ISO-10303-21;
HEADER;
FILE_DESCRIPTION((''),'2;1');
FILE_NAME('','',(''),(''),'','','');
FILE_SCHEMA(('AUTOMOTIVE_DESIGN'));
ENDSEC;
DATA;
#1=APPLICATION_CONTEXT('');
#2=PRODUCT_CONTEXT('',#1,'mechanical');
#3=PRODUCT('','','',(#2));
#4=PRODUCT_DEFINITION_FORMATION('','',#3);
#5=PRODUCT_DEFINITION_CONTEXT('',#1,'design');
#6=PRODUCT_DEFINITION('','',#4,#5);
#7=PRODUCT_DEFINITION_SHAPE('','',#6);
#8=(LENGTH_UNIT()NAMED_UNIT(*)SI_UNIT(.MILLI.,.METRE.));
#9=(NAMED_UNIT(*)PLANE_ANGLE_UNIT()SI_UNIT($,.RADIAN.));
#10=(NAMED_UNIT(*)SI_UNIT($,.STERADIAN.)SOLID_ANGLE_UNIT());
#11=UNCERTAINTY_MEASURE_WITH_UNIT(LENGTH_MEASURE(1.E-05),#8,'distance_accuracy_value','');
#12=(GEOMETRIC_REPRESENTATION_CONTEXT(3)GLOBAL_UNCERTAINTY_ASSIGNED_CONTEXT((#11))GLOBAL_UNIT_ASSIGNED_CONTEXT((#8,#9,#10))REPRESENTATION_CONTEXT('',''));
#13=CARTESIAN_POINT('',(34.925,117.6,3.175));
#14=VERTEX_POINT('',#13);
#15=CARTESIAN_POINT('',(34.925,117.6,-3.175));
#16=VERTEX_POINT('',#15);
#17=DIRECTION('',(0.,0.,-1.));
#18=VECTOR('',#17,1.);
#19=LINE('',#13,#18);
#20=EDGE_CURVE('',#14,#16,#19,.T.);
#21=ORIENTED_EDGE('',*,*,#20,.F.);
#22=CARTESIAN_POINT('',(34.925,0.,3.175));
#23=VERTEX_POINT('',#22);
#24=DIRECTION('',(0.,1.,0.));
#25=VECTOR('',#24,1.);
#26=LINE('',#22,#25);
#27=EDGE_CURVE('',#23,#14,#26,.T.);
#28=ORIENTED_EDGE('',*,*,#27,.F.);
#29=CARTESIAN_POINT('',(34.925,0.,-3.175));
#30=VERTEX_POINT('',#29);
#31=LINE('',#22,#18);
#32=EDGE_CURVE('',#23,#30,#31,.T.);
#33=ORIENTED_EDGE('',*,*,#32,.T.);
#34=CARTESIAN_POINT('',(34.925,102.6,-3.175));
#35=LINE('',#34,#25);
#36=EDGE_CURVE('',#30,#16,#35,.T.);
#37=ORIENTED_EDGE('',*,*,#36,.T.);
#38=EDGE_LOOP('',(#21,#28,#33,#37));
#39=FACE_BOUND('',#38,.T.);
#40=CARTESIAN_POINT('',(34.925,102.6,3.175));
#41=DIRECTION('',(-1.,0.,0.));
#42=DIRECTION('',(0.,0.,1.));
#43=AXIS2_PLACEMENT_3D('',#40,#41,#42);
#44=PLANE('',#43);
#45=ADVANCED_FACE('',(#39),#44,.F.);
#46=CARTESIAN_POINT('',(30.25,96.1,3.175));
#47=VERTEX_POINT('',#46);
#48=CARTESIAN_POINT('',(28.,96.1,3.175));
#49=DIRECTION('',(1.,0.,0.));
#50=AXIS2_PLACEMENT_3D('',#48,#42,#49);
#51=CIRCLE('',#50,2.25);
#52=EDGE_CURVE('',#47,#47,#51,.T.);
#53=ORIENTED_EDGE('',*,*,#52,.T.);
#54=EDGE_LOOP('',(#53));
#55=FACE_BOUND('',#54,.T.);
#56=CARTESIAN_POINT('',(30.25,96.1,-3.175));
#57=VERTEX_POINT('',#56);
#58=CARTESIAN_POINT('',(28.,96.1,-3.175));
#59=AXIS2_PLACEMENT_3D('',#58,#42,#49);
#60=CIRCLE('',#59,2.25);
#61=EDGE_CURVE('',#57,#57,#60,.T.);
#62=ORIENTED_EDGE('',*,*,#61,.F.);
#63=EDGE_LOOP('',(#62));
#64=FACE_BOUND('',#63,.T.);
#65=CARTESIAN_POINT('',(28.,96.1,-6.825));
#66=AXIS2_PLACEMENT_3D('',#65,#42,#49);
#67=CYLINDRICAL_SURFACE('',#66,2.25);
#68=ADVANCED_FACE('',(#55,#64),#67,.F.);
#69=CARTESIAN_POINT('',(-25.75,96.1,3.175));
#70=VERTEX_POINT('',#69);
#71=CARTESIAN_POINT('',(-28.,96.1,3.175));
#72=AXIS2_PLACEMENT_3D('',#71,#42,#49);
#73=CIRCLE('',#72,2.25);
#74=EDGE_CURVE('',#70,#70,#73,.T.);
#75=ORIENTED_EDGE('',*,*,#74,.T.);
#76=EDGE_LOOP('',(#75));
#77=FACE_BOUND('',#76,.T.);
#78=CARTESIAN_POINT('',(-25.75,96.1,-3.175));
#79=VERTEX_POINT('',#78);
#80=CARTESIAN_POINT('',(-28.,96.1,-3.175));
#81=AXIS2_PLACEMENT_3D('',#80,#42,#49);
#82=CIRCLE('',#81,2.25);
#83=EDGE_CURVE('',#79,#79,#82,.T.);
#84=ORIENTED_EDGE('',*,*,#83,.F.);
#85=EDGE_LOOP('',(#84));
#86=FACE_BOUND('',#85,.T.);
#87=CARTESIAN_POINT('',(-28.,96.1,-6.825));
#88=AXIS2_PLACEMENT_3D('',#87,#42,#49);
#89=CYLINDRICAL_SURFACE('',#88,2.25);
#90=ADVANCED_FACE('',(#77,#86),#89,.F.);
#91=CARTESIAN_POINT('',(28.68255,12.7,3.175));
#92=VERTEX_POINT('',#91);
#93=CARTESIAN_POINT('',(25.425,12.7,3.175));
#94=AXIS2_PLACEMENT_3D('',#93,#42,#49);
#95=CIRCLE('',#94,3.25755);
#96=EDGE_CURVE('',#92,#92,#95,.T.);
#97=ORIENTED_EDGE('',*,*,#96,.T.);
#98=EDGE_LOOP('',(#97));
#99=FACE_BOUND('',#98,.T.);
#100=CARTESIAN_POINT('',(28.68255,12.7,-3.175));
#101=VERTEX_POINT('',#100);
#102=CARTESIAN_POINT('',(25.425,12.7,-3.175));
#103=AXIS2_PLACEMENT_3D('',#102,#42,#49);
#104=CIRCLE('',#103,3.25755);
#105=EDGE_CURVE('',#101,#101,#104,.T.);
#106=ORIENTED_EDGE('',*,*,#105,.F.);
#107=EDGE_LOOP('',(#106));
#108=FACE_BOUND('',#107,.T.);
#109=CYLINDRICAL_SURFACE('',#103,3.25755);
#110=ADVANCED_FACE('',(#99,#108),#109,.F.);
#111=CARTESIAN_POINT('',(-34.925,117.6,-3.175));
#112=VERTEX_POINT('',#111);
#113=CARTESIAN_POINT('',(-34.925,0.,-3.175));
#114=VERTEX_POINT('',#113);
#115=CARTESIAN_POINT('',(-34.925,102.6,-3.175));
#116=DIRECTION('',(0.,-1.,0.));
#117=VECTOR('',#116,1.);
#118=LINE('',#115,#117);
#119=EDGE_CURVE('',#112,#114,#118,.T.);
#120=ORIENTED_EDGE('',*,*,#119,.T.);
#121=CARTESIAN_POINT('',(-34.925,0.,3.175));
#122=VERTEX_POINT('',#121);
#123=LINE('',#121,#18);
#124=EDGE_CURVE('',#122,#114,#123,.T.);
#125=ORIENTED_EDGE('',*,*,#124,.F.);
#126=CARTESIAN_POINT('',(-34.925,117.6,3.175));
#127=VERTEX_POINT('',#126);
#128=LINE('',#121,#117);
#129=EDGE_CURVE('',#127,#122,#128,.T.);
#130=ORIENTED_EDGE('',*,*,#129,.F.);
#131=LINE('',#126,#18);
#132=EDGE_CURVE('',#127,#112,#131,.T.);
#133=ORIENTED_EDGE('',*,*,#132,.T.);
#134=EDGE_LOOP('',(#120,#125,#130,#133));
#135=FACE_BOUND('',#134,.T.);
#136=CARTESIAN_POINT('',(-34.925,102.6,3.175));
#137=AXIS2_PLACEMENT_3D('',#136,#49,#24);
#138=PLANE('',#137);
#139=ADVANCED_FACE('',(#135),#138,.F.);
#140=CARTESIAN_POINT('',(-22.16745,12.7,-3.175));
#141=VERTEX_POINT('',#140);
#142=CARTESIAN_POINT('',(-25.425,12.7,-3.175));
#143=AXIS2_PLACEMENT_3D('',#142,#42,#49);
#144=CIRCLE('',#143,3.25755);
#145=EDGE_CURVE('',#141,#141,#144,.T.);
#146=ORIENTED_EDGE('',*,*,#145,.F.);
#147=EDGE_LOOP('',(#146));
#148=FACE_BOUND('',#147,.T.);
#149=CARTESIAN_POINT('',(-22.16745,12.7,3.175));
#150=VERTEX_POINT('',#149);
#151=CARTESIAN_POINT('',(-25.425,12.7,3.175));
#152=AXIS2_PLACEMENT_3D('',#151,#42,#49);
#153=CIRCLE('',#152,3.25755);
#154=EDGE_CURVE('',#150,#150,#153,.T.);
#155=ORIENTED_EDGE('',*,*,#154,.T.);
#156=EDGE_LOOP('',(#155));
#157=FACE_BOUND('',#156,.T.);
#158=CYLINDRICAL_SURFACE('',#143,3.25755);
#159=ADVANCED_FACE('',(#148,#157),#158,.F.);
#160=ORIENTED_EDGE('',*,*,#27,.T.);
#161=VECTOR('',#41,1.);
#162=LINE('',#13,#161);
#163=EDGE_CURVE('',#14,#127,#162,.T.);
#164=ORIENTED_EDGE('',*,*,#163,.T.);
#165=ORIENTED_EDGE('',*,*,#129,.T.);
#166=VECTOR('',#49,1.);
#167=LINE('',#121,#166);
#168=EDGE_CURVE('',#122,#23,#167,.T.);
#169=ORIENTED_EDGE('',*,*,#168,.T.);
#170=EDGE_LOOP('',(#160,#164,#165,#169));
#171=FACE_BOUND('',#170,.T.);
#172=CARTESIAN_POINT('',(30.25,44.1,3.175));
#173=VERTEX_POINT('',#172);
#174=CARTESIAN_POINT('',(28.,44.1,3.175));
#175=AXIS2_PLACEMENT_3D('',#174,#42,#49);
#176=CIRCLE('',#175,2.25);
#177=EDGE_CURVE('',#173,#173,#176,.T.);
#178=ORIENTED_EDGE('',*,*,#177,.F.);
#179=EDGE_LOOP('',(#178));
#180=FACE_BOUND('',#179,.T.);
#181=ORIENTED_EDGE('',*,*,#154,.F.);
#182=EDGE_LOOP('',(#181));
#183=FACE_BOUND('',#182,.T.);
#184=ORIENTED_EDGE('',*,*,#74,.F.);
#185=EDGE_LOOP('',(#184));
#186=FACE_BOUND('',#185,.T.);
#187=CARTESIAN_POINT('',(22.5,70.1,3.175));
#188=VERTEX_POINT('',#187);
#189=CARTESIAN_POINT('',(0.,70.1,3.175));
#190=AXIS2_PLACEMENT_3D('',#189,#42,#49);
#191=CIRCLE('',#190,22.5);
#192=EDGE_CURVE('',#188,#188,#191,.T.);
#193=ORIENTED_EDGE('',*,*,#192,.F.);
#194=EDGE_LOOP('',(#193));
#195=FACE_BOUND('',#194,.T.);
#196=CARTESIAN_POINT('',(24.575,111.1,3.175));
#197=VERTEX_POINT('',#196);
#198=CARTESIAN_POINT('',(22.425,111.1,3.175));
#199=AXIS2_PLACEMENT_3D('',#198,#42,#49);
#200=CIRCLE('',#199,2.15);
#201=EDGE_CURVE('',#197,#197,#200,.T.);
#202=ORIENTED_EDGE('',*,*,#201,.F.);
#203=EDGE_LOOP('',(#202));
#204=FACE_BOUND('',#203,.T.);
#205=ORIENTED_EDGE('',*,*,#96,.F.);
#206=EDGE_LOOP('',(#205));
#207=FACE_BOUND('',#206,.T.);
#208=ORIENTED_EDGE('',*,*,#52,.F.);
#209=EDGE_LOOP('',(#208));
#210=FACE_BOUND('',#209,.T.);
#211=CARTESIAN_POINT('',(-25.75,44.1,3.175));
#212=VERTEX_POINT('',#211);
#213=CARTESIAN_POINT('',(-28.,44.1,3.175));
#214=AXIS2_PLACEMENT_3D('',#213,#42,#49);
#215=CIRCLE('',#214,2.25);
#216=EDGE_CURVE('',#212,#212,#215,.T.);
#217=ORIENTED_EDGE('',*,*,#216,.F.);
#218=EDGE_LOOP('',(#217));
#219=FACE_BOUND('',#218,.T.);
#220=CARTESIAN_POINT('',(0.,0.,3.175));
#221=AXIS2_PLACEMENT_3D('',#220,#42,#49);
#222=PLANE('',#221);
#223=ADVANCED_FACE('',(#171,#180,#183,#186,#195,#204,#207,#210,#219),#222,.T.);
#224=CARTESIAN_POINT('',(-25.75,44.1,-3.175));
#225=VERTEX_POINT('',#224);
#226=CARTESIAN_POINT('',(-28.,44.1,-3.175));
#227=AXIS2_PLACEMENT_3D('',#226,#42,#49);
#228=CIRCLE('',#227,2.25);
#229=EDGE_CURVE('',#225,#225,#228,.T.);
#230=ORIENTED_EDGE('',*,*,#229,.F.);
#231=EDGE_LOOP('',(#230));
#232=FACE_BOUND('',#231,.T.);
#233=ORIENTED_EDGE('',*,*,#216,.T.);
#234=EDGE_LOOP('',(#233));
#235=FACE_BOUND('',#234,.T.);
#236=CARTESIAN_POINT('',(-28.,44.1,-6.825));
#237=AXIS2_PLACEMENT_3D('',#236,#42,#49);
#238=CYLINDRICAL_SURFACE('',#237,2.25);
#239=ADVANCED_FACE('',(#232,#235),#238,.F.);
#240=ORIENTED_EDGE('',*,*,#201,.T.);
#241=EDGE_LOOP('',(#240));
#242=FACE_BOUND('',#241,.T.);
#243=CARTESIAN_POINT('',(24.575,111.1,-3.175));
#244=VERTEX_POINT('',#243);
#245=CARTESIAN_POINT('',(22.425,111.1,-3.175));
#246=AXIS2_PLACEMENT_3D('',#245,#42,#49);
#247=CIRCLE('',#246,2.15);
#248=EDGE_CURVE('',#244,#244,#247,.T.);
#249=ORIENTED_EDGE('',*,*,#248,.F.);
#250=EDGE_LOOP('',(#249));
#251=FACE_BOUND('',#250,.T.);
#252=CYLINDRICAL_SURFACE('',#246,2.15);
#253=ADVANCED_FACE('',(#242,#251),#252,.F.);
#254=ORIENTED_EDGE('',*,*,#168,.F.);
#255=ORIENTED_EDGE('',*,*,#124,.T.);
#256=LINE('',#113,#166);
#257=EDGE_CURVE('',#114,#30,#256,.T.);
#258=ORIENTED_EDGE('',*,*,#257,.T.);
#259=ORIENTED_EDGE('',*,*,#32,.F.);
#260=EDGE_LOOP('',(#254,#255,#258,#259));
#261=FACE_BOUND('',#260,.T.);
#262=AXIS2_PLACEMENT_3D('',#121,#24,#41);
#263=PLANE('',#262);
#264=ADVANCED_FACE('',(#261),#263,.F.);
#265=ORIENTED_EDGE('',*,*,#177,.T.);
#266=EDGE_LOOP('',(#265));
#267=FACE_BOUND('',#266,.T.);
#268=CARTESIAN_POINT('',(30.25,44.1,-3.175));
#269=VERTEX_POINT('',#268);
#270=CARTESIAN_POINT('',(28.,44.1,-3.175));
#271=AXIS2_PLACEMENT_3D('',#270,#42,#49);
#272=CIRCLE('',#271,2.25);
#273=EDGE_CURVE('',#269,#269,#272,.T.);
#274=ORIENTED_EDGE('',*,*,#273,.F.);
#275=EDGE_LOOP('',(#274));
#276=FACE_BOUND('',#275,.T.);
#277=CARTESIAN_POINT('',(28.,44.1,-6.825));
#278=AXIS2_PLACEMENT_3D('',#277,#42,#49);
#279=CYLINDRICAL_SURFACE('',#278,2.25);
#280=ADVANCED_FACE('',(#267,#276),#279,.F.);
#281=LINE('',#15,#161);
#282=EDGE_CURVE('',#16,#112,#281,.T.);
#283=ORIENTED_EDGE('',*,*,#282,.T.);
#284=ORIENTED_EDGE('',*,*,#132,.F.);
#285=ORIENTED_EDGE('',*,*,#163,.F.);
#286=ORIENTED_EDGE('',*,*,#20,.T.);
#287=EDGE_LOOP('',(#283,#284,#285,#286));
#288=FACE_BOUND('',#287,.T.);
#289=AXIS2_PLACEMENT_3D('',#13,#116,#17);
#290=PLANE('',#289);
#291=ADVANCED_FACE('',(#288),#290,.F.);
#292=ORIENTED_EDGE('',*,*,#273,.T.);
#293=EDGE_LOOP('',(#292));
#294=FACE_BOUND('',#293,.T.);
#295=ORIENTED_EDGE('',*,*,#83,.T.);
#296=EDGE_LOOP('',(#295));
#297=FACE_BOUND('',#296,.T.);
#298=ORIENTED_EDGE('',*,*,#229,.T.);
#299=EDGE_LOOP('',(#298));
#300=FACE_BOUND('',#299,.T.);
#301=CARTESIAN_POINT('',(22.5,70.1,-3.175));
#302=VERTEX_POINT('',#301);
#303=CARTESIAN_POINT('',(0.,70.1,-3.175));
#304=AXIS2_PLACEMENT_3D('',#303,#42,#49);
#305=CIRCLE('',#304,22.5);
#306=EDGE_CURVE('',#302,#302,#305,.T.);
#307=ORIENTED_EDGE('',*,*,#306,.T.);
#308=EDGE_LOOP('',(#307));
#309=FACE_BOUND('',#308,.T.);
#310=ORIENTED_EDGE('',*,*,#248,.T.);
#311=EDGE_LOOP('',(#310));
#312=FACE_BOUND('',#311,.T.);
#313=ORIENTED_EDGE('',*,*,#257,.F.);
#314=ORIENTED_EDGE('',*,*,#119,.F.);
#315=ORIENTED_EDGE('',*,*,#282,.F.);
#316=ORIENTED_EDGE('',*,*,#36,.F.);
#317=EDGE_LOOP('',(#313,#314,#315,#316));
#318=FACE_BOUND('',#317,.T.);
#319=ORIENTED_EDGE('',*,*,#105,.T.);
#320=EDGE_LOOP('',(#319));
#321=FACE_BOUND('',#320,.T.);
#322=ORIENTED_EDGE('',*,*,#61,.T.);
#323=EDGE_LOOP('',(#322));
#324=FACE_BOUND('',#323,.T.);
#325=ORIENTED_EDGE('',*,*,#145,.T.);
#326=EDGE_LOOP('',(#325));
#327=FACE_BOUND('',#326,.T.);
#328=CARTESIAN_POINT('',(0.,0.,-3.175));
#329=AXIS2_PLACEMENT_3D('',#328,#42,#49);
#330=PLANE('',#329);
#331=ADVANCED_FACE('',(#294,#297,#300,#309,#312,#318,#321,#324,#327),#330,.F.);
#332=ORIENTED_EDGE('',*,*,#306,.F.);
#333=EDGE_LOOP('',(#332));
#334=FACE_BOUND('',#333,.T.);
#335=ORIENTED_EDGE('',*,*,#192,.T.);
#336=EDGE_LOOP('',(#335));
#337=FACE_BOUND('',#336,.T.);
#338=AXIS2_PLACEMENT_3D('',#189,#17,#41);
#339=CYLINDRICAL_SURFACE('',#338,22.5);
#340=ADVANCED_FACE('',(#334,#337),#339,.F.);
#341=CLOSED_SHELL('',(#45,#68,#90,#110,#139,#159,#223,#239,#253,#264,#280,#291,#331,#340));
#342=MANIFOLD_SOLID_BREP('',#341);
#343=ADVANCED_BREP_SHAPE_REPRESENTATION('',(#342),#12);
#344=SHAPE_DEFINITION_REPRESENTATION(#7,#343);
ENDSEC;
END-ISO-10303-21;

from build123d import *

# Parameters (mm, degrees)
SKETCH2_R               = 22.5
BOSS_EXTRUDE1_DEPTH     = 3.175
SKETCH3_R               = 3.25755
SKETCH3_R_2             = 2.15
CUT_EXTRUDE1_DEPTH      = 1
CUT_EXTRUDE1_DEPTH_BACK = 7.35
SKETCH4_R               = 2.25
CUT_EXTRUDE2_DEPTH      = 10


with BuildPart() as part:
    # Sketch2 → Boss-Extrude1 (new body, symmetric)
    with BuildSketch(Plane.XY):
        Polygon((-34.925, 0), (34.925, 0), (34.925, 70.1), (34.925, 102.6), (34.925, 117.6), (-34.925, 117.6), (-34.925, 102.6), (-34.925, 70.1), align=None)
        with Locations((0, 70.1)):
            Circle(SKETCH2_R, mode=Mode.SUBTRACT)
    extrude(amount=BOSS_EXTRUDE1_DEPTH, both=True)

    # Sketch3 → Cut-Extrude1 (cut, two sides)
    with BuildSketch(Plane.XY.offset(3.175)) as cut_extrude1_sk:
        with Locations((-25.425, 12.7)):
            Circle(SKETCH3_R)
        with Locations((25.425, 12.7)):
            Circle(SKETCH3_R)
        with Locations((22.425, 111.1)):
            Circle(SKETCH3_R_2)
    extrude(amount=CUT_EXTRUDE1_DEPTH, mode=Mode.SUBTRACT)
    extrude(cut_extrude1_sk.sketch, amount=-CUT_EXTRUDE1_DEPTH_BACK, mode=Mode.SUBTRACT)

    # Sketch4 → Cut-Extrude2 (cut)
    with BuildSketch(Plane.XY.offset(3.175)):
        with Locations((28, 96.1)):
            Circle(SKETCH4_R)
        with Locations((-28, 44.1)):
            Circle(SKETCH4_R)
        with Locations((28, 44.1)):
            Circle(SKETCH4_R)
        with Locations((-28, 96.1)):
            Circle(SKETCH4_R)
    extrude(amount=-CUT_EXTRUDE2_DEPTH, mode=Mode.SUBTRACT)


solid = part.part
